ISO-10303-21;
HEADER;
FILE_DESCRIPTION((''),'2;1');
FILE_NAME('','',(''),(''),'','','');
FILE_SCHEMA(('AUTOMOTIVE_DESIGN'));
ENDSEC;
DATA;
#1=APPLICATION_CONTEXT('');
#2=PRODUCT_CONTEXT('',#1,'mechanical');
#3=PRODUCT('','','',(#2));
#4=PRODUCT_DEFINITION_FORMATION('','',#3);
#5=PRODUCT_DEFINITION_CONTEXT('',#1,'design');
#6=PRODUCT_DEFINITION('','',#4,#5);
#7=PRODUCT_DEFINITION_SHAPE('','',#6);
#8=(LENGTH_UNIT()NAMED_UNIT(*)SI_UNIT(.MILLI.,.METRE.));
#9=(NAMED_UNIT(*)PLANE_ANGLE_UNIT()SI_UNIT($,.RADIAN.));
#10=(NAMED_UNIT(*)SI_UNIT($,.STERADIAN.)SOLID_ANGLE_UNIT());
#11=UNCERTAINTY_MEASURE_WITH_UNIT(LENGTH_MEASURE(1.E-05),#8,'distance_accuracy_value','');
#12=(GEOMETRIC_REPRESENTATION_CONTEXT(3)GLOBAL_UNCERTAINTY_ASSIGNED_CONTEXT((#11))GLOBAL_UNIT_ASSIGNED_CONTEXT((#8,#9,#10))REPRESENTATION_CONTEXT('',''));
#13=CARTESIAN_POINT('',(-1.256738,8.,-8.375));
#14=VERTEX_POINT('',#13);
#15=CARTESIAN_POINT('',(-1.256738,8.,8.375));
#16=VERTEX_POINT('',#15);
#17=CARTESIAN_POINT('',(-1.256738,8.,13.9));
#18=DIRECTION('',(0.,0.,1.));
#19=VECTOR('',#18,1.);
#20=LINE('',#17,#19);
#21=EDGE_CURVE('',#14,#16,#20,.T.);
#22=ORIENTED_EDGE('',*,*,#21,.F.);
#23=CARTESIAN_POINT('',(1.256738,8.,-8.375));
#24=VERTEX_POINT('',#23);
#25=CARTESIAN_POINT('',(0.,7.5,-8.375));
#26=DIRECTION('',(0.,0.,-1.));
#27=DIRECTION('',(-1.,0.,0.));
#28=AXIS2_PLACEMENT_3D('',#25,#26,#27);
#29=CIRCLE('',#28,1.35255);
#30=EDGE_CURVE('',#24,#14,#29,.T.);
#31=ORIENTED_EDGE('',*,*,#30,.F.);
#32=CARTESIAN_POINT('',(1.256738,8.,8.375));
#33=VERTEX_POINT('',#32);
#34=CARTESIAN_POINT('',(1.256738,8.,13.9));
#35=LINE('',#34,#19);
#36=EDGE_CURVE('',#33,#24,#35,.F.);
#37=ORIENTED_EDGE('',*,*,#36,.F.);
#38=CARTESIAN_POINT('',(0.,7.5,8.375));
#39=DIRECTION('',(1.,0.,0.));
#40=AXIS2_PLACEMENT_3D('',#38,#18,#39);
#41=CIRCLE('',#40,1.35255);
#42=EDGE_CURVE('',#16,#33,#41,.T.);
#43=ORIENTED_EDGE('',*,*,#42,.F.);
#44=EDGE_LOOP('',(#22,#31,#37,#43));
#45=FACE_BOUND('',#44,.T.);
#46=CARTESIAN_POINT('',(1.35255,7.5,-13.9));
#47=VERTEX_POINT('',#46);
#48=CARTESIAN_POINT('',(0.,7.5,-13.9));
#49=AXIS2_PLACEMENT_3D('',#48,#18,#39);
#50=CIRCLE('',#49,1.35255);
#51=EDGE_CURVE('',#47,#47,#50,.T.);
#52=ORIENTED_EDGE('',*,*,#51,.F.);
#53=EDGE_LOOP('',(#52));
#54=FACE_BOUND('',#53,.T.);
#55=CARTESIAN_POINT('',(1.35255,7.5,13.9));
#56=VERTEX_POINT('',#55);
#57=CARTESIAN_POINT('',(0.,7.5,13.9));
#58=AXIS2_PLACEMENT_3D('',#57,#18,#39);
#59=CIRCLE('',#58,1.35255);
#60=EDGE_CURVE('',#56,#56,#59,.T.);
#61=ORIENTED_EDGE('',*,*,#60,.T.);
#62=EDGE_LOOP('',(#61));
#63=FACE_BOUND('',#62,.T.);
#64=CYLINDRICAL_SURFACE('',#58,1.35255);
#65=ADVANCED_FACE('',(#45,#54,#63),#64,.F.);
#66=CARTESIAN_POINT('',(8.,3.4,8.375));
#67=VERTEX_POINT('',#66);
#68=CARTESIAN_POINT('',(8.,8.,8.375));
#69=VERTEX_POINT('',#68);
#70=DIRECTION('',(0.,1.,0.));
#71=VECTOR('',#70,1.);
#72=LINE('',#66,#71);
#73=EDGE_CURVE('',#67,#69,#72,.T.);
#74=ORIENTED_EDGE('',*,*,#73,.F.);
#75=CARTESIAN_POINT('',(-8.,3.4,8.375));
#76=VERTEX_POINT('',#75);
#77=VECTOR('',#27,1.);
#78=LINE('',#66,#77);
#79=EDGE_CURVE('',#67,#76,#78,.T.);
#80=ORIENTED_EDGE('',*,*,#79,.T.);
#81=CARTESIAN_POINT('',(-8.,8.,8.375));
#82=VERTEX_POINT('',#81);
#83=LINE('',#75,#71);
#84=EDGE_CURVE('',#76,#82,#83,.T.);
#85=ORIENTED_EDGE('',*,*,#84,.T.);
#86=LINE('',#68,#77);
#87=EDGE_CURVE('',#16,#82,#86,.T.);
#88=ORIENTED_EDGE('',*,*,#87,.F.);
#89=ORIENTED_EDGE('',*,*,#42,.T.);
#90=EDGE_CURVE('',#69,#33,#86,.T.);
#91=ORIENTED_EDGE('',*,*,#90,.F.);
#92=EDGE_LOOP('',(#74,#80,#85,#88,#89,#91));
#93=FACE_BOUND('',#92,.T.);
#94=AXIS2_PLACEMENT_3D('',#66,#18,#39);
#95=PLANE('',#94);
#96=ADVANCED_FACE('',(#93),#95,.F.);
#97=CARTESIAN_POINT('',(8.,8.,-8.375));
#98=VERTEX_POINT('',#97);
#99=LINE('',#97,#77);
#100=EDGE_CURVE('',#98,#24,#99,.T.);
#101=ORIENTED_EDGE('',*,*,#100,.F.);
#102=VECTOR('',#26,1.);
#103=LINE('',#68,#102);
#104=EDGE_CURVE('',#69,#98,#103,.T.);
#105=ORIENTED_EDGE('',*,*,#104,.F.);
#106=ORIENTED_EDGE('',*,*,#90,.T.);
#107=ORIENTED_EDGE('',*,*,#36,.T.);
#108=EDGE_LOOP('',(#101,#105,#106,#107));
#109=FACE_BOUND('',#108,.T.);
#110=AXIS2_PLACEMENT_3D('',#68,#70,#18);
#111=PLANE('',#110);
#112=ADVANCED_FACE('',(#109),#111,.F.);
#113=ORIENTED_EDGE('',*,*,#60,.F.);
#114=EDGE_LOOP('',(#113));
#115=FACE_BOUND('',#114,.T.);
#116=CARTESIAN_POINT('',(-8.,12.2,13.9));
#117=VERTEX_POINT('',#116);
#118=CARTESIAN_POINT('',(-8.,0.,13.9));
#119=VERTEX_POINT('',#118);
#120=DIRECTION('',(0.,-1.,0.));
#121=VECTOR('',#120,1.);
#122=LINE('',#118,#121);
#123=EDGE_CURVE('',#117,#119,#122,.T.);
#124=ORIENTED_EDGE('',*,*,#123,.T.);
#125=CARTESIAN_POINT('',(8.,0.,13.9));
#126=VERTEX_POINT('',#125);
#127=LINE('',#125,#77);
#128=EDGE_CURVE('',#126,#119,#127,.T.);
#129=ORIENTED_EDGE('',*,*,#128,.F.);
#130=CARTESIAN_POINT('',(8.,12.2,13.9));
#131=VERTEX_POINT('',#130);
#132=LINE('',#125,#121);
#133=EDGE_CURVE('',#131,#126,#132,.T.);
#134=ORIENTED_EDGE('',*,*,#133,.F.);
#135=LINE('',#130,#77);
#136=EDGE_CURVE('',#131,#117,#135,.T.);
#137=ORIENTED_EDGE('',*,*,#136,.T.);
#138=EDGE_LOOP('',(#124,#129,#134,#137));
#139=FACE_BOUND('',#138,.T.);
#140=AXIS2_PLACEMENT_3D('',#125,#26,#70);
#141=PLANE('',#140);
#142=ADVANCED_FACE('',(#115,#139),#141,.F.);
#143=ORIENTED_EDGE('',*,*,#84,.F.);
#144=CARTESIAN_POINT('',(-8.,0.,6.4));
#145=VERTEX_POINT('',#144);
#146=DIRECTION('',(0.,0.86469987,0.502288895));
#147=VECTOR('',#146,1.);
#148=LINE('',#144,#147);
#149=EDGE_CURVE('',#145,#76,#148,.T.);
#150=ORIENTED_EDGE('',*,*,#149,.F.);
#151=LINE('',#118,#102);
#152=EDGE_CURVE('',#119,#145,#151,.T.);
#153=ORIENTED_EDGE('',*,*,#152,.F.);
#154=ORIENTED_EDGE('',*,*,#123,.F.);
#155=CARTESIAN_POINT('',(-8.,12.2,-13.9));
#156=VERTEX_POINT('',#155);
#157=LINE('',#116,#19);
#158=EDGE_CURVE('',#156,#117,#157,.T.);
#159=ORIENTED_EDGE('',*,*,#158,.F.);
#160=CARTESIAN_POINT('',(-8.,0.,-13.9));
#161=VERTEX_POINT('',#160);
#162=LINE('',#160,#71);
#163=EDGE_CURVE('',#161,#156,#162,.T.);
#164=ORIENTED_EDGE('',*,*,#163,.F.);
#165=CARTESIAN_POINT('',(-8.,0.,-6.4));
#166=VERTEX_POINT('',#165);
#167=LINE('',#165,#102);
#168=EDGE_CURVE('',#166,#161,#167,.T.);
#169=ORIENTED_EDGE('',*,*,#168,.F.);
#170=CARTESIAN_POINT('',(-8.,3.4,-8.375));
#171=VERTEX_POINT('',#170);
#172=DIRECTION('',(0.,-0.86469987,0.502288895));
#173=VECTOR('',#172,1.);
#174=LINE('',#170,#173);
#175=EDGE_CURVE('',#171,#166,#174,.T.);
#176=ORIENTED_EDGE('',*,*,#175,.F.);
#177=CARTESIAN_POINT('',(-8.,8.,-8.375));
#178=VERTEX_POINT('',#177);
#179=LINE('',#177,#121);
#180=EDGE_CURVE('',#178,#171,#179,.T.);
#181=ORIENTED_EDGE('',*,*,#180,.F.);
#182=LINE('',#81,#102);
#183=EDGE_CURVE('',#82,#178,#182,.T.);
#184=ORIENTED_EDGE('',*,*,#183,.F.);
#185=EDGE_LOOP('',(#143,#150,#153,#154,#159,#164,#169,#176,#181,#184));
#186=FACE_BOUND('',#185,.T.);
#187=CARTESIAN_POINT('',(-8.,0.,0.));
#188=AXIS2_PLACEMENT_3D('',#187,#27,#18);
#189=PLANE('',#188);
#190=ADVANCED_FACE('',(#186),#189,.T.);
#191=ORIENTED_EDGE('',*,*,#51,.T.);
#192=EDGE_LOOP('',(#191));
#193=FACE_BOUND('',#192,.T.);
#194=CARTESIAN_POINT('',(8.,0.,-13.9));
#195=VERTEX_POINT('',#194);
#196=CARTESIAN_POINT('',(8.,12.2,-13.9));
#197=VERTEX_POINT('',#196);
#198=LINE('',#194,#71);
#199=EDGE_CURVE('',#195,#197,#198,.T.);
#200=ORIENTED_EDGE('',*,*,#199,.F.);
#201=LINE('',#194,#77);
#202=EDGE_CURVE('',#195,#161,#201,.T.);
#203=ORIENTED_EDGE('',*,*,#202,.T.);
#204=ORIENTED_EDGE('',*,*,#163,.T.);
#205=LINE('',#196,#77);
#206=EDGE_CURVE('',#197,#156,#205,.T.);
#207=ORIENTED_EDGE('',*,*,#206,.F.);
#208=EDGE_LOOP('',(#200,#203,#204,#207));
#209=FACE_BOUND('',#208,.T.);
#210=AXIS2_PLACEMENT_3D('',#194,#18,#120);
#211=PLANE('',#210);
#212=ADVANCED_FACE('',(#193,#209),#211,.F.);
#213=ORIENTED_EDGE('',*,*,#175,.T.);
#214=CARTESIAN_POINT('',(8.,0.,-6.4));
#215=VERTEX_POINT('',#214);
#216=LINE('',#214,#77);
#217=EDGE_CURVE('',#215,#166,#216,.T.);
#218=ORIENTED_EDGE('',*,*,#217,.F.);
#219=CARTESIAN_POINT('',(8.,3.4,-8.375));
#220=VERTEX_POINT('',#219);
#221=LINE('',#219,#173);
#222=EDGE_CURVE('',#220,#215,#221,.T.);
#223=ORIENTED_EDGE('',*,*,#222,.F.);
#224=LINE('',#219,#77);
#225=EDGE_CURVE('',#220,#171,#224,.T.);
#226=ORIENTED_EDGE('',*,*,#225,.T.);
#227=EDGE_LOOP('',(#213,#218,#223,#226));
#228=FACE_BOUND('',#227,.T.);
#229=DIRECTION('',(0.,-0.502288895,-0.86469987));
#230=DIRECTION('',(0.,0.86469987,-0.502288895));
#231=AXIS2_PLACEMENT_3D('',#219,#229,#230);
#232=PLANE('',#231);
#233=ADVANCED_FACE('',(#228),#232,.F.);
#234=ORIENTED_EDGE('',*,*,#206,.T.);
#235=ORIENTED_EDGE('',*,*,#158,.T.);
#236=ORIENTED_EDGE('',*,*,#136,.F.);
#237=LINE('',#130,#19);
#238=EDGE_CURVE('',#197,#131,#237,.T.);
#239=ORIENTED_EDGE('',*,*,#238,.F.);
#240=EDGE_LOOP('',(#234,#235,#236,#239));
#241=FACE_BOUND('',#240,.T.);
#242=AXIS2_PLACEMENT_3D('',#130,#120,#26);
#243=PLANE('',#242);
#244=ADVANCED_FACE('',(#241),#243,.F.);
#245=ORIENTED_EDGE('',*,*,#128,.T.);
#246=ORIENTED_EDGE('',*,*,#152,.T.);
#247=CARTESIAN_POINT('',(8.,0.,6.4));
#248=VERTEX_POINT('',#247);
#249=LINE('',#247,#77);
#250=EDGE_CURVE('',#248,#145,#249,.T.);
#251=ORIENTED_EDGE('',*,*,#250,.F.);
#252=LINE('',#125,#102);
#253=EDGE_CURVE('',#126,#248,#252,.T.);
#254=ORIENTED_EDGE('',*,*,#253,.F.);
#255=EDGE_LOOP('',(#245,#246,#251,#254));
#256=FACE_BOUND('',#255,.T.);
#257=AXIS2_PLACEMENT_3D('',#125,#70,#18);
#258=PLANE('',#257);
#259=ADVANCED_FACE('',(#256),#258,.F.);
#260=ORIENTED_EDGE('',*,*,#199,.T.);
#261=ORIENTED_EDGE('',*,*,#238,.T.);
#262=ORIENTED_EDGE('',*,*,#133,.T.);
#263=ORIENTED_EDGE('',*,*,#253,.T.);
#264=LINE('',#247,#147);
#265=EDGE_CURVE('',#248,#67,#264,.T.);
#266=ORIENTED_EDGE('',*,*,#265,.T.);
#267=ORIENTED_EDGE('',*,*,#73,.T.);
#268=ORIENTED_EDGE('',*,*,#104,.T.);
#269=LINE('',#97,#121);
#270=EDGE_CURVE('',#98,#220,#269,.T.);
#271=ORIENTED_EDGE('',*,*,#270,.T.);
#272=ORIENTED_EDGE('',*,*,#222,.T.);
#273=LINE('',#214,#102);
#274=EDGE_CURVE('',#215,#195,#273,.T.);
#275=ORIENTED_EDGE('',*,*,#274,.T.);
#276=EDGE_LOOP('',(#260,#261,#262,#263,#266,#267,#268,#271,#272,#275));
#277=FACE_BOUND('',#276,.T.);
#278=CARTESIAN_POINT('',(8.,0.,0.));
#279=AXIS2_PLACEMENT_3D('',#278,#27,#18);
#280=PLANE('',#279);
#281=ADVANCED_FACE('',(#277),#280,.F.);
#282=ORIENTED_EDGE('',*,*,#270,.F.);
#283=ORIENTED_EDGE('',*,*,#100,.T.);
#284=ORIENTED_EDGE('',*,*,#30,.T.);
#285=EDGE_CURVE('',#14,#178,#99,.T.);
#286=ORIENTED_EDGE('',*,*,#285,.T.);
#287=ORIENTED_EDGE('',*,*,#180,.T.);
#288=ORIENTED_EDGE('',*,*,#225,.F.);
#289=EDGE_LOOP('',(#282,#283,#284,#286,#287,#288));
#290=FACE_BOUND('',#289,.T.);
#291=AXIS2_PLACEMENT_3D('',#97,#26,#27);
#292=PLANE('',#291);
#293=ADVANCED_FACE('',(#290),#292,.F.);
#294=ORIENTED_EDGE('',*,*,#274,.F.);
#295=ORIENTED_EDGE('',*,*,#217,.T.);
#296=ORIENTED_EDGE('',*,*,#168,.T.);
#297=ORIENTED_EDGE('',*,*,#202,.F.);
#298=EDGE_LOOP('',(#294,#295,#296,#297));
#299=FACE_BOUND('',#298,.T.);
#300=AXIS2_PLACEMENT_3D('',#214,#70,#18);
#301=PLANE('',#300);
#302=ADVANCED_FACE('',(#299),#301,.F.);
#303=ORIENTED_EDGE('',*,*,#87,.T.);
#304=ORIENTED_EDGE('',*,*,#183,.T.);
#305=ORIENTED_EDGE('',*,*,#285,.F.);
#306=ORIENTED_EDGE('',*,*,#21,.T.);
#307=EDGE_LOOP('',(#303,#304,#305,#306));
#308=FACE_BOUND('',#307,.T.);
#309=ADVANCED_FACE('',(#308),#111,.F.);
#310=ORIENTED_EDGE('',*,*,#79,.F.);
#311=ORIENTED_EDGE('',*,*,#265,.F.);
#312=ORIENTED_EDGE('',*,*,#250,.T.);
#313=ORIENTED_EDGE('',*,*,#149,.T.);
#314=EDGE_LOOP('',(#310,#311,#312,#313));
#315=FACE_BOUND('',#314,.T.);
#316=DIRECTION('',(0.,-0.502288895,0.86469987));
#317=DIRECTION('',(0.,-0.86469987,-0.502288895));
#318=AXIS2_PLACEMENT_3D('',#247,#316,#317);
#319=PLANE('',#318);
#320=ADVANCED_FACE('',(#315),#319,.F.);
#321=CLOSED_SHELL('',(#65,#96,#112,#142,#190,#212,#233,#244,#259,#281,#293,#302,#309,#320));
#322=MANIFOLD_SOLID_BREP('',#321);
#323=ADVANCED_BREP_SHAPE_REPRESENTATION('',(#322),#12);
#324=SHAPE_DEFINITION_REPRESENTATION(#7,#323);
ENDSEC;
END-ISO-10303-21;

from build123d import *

# Parameters (mm, degrees)
BOSS_EXTRUDE1_DEPTH   = 8
F_6_32_TAPPED_HOLE1_D = 2.7051


with BuildPart() as part:
    # Sketch1 → Boss-Extrude1 (new, symmetric)
    with BuildSketch(Plane(origin=(0, 0, 0), x_dir=(0, 0, -1), z_dir=(1, 0, 0))):
        Polygon((-6.4, 0), (-8.375, 3.4), (-8.375, 8), (8.375, 8), (8.375, 3.4), (6.4, 0), (13.9, 0), (13.9, 12.2), (-13.9, 12.2), (-13.9, 0), align=None)
    extrude(amount=BOSS_EXTRUDE1_DEPTH, both=True)

    # #6-32 Tapped Hole1 (through all)
    with Locations(Plane.XY.offset(13.9)):
        with Locations((0, 7.5)):
            Hole(F_6_32_TAPPED_HOLE1_D / 2)


solid = part.part
